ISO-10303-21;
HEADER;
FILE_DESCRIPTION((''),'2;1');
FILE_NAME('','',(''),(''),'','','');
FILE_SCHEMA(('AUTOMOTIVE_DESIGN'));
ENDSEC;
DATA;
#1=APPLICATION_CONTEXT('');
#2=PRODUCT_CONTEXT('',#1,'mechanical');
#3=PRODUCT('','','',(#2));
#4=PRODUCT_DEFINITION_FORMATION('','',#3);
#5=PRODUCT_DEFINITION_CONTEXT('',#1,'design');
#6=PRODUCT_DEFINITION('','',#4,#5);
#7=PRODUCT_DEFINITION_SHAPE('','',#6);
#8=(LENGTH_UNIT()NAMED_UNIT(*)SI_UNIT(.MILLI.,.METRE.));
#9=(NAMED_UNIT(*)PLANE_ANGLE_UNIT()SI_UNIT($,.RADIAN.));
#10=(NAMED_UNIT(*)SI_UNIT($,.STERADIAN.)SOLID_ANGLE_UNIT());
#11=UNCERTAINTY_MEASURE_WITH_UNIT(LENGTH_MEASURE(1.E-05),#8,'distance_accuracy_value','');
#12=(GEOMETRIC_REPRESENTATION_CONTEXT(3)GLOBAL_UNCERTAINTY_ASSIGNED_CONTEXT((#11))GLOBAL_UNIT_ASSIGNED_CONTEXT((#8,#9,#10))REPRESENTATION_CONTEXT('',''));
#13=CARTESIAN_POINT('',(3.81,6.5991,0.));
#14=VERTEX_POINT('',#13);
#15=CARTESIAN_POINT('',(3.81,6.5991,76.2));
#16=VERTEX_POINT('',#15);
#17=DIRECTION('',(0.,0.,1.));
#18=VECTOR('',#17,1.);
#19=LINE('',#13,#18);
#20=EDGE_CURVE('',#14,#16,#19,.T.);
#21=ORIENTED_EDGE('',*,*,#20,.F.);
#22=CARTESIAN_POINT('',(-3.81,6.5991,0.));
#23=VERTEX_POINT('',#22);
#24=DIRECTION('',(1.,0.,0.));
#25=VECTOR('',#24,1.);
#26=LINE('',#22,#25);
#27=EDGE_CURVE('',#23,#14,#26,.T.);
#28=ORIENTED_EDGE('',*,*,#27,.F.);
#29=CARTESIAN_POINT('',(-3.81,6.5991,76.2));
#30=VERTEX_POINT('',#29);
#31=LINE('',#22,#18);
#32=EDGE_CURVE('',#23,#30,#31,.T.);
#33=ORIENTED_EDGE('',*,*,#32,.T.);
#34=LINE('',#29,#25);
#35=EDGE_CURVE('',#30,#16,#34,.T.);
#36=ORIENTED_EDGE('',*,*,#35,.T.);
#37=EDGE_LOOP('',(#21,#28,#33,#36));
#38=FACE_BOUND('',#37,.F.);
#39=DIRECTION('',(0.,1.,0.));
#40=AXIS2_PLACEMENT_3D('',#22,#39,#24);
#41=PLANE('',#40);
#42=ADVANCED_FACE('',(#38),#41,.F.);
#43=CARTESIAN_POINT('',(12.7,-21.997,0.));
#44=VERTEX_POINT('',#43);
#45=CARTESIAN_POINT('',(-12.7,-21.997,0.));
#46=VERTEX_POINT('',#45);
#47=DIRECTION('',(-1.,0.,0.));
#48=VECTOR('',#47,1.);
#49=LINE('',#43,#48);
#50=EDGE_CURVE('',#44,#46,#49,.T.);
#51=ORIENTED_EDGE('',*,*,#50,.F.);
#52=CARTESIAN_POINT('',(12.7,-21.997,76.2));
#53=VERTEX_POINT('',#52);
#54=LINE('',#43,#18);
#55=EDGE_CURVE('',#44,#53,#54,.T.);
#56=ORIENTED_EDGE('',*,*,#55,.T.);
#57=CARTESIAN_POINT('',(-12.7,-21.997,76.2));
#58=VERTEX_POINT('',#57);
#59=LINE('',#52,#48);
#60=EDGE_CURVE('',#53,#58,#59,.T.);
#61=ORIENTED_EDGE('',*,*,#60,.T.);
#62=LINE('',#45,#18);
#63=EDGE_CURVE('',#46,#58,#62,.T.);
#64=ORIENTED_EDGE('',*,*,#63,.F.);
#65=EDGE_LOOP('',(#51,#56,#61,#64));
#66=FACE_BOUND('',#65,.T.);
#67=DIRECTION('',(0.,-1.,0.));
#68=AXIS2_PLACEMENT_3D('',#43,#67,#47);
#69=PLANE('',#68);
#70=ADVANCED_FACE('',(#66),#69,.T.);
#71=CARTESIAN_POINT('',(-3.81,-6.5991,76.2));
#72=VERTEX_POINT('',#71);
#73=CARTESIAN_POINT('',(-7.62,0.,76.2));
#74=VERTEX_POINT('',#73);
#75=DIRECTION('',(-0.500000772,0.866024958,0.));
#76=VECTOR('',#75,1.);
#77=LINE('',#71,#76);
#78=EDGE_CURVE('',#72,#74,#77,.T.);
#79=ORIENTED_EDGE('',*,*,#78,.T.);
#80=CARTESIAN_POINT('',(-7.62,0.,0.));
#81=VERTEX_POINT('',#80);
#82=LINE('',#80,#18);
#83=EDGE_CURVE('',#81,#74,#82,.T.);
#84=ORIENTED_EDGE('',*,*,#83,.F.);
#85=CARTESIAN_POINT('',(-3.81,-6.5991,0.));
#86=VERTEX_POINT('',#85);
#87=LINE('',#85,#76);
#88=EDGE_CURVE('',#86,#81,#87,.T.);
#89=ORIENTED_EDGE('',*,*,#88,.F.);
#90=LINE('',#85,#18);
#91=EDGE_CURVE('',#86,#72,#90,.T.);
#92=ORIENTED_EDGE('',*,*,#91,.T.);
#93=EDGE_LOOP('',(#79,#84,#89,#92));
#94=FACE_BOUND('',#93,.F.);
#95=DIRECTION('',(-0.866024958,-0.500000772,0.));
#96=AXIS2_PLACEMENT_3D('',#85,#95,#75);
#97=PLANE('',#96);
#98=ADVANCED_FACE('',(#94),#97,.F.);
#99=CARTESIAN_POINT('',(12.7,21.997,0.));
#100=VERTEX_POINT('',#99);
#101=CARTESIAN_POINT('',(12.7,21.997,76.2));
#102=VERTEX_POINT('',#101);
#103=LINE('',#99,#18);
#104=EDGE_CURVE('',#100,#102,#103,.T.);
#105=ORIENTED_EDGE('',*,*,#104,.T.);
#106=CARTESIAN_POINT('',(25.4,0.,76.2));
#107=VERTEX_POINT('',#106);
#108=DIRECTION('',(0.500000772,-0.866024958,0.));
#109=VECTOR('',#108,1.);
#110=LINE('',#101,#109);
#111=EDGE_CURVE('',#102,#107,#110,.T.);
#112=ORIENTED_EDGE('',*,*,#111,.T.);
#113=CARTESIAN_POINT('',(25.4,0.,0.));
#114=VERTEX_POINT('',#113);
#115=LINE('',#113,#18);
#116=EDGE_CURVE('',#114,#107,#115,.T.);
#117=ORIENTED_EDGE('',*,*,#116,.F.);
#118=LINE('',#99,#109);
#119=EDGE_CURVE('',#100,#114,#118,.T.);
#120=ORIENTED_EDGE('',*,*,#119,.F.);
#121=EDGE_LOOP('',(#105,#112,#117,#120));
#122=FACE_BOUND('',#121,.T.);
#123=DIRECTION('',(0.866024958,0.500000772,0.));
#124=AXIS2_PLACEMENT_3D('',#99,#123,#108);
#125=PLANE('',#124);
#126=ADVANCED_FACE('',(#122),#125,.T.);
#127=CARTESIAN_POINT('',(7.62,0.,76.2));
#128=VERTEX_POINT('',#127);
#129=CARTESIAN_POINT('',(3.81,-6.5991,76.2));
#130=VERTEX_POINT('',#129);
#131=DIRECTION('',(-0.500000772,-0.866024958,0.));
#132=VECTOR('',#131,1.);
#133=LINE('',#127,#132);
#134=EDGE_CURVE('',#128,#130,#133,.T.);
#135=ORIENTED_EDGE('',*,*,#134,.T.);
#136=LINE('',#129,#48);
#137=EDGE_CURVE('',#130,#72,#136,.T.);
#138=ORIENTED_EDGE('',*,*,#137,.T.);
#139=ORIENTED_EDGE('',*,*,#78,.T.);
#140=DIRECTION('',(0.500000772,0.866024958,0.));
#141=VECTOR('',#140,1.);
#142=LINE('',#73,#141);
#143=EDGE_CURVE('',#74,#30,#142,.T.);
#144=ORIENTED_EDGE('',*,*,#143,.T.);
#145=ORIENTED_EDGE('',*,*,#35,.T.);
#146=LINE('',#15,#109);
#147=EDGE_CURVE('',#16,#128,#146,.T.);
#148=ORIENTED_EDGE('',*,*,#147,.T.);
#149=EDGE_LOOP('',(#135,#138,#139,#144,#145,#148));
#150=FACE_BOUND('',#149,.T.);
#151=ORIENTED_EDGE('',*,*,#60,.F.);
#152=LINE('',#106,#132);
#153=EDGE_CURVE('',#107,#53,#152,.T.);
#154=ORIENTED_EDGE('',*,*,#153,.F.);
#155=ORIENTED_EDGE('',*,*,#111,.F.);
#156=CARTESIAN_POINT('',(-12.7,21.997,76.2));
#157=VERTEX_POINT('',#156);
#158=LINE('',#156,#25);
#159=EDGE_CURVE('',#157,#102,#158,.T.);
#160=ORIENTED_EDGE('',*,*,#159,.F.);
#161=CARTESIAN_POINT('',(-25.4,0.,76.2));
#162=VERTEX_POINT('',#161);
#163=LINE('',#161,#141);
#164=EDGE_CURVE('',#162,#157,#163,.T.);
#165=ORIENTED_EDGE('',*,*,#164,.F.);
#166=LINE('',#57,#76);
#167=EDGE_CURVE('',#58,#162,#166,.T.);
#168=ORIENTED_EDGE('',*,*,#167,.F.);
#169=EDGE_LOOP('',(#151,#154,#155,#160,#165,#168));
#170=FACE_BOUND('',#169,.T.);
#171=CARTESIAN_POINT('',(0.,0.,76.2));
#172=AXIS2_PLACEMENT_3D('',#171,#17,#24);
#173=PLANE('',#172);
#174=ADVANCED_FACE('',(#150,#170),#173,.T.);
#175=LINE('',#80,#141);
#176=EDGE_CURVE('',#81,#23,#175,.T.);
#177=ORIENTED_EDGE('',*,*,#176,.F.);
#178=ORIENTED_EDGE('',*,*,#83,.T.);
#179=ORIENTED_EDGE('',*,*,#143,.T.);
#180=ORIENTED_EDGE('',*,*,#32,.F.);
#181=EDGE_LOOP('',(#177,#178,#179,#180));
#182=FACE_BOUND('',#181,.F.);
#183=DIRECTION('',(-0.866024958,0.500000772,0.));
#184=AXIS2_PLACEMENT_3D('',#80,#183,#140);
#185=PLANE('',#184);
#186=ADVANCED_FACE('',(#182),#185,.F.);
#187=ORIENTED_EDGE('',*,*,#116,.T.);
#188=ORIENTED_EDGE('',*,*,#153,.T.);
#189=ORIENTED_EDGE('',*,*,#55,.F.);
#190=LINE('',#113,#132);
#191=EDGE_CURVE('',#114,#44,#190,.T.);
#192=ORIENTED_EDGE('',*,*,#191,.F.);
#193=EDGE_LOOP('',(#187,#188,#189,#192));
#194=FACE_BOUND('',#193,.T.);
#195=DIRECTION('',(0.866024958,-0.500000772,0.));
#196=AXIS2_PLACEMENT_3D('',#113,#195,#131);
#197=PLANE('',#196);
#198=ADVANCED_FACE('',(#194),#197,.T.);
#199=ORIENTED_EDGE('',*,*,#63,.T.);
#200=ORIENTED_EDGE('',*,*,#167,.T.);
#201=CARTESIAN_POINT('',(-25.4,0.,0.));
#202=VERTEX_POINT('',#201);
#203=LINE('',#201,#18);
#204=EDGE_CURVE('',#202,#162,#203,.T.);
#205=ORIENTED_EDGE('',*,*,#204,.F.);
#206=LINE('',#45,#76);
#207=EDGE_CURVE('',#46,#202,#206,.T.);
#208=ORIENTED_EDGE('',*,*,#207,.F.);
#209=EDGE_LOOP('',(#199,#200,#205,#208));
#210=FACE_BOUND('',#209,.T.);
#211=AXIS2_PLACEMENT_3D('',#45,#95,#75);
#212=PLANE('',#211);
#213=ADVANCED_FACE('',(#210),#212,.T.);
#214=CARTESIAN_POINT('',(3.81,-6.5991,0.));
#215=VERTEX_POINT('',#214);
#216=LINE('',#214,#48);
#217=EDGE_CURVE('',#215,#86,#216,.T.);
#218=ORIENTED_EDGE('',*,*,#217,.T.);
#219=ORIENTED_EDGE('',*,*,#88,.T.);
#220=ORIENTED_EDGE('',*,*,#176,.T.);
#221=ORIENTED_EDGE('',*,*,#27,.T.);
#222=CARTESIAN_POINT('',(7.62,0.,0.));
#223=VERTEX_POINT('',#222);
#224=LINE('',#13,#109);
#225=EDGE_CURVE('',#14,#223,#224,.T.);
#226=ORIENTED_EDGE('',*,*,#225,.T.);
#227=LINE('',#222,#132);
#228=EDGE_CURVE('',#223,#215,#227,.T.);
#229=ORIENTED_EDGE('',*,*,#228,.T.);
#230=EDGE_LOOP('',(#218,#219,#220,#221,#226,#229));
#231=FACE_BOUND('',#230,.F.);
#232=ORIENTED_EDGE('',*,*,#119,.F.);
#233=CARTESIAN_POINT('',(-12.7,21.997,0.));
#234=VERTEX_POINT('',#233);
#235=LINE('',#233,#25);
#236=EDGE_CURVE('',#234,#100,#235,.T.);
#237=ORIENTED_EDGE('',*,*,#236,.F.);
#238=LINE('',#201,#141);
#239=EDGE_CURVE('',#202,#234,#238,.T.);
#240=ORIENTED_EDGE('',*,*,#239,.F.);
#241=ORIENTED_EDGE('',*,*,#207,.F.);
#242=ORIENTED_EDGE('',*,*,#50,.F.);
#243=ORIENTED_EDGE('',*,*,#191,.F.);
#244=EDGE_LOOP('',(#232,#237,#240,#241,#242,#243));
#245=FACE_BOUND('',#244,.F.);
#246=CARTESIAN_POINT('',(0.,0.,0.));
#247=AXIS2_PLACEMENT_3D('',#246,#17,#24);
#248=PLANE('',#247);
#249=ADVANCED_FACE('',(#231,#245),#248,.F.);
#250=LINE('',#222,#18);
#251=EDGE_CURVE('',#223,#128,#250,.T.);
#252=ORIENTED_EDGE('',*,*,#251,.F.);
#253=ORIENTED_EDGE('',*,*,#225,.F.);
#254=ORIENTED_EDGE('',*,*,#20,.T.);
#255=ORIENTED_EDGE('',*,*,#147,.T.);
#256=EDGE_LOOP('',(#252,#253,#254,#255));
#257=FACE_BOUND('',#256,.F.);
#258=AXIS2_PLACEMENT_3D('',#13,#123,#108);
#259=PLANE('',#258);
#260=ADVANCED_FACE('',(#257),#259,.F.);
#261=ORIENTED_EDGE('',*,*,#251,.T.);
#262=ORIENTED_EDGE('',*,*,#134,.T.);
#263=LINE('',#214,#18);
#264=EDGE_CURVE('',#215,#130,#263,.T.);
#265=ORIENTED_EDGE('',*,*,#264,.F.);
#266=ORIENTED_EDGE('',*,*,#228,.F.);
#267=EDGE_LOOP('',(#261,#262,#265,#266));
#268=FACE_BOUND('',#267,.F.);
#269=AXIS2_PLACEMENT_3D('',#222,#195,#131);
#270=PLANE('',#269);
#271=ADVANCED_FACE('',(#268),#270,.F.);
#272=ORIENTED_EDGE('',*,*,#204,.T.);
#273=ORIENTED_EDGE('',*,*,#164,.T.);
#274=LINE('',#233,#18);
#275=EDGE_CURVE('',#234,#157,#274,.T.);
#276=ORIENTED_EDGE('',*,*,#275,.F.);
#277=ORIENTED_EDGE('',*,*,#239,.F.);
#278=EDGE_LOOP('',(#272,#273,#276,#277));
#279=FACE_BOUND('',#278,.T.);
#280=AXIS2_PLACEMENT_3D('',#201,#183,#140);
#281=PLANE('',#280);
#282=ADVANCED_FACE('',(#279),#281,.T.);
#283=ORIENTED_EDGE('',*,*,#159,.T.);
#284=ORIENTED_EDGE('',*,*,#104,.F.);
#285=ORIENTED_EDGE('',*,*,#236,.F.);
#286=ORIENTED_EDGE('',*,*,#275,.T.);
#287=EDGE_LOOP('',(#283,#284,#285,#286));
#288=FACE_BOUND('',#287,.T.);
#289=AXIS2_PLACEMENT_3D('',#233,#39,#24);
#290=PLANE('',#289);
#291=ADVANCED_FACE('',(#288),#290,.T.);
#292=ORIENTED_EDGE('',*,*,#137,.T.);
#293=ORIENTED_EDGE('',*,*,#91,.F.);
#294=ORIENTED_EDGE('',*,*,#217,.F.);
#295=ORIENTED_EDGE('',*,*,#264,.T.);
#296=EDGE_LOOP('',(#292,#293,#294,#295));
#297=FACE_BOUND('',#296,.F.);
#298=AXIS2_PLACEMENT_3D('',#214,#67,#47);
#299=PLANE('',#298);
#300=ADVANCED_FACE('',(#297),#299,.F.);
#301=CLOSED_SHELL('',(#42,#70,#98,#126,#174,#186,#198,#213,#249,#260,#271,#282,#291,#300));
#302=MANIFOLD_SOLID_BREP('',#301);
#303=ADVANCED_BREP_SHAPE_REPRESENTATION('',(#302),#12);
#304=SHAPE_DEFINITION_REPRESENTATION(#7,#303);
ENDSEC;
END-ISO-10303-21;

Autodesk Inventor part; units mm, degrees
ref_plane "YZ Plane" through (0, 0, 0) normal (1, 0, 0) x (0, 1, 0)
ref_plane "XZ Plane" through (0, 0, 0) normal (0, 1, 0) x (-1, 0, 0)
ref_plane "XY Plane" through (0, 0, 0) normal (0, 0, 1) x (1, 0, 0)
sketch "Sketch2" plane through (0, 0, 0) normal (0, 0, 1) x (1, 0, 0)
  line L0 (7.62, 0) -> (3.81, -6.5991)
  line L1 (3.81, -6.5991) -> (-3.81, -6.5991)
  line L2 (-3.81, -6.5991) -> (-7.62, 0)
  line L3 (-7.62, 0) -> (-3.81, 6.5991)
  line L4 (-3.81, 6.5991) -> (3.81, 6.5991)
  line L5 (3.81, 6.5991) -> (7.62, 0)
  line L6 (25.4, 0) -> (12.7, -21.997)
  line L7 (12.7, -21.997) -> (-12.7, -21.997)
  line L8 (-12.7, -21.997) -> (-25.4, 0)
  line L9 (-25.4, 0) -> (-12.7, 21.997)
  line L10 (-12.7, 21.997) -> (12.7, 21.997)
  line L11 (12.7, 21.997) -> (25.4, 0)
  point P0 (0, 0)
  point P1 (0, 0)
  point P2 (0, 0)
  dimension "d2" = 7.62
  dimension "d3" = 25.4
extrude "Extrusion1" add sketch "Sketch2" along normal blind 76.2
properties part number "HexSpacer"
